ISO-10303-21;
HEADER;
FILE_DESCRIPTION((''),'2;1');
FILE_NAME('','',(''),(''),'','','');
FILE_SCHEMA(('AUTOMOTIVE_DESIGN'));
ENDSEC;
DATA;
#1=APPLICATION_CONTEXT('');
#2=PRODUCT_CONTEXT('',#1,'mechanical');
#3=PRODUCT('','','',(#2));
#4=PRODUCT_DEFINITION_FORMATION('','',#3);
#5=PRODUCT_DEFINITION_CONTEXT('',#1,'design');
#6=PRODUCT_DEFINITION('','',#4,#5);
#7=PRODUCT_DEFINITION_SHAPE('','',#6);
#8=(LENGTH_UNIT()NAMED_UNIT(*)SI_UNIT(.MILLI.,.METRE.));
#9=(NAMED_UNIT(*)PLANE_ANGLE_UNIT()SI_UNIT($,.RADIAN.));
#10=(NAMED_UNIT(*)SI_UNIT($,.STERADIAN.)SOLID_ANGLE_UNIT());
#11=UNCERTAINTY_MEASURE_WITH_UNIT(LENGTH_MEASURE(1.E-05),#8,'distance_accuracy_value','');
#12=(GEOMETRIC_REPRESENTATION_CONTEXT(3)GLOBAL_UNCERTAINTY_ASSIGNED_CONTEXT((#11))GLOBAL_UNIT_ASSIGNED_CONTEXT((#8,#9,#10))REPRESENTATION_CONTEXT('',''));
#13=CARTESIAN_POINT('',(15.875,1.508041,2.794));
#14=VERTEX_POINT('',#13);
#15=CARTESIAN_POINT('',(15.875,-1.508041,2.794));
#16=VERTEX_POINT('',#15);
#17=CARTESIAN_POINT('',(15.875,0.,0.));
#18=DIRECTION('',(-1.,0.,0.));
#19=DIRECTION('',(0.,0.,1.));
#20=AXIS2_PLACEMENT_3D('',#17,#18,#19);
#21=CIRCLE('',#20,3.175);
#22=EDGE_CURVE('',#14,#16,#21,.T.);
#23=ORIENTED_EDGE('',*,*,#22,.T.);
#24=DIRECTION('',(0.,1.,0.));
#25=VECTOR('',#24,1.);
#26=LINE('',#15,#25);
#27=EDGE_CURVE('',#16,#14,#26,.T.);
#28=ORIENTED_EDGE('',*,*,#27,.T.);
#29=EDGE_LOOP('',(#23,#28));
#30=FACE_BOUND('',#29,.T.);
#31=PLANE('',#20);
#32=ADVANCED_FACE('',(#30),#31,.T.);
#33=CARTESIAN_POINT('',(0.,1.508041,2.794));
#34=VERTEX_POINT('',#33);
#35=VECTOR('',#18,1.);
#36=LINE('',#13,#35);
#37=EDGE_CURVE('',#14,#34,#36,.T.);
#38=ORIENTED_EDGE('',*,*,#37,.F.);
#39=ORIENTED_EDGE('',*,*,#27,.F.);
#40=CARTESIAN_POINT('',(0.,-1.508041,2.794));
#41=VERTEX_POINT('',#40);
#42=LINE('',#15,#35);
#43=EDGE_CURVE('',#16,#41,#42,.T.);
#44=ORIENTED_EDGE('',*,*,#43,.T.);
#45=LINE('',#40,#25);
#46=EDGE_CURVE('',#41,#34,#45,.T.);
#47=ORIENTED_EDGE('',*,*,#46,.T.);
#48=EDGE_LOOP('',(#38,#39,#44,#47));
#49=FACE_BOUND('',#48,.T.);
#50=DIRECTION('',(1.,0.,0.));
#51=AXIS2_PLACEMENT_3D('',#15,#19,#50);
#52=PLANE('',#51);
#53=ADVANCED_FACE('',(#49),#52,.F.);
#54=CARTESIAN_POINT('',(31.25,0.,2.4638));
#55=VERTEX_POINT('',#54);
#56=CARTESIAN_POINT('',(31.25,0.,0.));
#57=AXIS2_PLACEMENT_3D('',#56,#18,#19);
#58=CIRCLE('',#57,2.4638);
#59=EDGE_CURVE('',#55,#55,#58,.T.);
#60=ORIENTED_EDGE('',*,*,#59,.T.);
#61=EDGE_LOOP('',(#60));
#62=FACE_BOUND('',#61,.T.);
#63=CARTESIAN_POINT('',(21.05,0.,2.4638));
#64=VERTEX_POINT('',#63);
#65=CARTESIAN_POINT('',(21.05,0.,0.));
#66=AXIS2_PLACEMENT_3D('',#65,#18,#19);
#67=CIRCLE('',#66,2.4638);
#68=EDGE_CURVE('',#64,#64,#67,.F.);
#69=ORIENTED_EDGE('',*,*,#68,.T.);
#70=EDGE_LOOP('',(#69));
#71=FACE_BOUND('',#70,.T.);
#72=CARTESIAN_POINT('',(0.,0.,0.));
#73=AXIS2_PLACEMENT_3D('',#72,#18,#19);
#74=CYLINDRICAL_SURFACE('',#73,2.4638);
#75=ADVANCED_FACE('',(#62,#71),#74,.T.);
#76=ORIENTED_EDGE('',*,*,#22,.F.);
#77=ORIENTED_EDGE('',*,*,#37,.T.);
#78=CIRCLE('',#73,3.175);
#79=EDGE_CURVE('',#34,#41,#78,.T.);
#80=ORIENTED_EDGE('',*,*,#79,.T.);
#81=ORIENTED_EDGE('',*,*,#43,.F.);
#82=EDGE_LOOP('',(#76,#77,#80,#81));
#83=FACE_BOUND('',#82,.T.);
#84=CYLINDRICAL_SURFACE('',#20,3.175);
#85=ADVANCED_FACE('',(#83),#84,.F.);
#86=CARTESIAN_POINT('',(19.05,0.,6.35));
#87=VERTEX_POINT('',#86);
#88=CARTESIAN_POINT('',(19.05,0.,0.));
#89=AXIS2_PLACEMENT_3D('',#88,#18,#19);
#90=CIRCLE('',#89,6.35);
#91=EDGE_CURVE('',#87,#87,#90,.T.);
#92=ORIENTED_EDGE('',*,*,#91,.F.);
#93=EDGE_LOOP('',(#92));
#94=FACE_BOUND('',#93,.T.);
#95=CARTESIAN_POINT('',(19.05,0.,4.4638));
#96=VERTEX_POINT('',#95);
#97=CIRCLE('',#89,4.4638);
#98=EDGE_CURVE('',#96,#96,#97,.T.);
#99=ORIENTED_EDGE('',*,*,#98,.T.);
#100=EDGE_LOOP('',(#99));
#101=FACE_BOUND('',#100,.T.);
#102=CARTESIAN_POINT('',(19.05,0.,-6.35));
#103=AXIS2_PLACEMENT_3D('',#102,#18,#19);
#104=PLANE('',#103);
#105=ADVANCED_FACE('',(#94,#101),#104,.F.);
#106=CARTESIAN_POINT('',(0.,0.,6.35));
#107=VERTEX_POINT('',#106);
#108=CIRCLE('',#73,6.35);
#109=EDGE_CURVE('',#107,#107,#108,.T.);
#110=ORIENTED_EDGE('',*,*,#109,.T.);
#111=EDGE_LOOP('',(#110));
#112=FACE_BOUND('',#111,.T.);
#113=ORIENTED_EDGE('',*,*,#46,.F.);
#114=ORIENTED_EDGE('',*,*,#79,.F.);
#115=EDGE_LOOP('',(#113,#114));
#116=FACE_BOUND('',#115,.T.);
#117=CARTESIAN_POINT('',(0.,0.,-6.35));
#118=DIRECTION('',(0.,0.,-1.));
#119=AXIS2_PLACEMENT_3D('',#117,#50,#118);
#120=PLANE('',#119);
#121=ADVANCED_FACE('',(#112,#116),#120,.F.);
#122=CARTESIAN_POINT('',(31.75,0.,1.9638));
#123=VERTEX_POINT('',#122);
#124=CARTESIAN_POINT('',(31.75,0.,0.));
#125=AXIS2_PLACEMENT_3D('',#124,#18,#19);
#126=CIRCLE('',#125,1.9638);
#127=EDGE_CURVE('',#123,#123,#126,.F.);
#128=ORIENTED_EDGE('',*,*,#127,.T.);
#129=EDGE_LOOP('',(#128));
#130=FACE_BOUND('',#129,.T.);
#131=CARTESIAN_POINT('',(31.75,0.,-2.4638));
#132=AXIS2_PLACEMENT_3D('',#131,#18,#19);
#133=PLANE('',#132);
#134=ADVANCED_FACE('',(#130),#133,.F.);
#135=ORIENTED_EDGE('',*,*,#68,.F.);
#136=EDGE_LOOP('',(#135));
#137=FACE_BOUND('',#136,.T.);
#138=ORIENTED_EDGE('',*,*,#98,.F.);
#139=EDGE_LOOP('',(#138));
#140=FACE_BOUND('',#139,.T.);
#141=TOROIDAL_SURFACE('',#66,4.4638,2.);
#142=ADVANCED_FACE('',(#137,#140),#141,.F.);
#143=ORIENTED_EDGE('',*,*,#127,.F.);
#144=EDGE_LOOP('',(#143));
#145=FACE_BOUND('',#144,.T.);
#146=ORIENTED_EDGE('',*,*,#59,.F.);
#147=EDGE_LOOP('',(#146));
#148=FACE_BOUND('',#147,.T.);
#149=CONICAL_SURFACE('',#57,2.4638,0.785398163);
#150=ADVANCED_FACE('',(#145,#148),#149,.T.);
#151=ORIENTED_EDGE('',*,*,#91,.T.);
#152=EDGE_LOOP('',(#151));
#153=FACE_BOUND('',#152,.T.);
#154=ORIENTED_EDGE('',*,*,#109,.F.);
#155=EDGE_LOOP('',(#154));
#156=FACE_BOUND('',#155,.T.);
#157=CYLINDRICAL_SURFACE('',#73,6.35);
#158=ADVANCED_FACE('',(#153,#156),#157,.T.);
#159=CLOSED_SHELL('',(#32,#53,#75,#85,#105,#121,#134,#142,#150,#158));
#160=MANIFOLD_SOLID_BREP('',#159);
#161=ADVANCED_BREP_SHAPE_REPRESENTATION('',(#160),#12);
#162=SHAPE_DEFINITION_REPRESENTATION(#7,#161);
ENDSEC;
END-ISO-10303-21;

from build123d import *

# Parameters (mm, degrees)
CONG_1_R                = 2
ENL_V_MAT_EXTRU_1_DEPTH = 15.875
CHANFREIN1_SIZE         = 0.5


with BuildPart() as part:
    # Esquisse3 → Révolution1 (revolve)
    with BuildSketch(Plane(origin=(0, 0, 0), x_dir=(1, 0, 0), z_dir=(0, 1, 0)), mode=Mode.PRIVATE) as r_volution1_sk:
        Polygon((0, 6.35), (19.05, 6.35), (19.05, 2.4638), (31.75, 2.4638), (31.75, 0), (0, 0), align=None)
    revolve(r_volution1_sk.sketch.rotate(Axis((0, 0, 0), (1, 0, 0)), 180), axis=Axis((0, 0, 0), (1, 0, 0)))

    # Congé1
    cong_1_edges = [part.edges().sort_by_distance(p)[0] for p in [
        (19.05, 0, -2.4638),
    ]]
    fillet(cong_1_edges, radius=CONG_1_R)

    # Esquisse4 → Enlèv. mat.-Extru.1 (cut)
    with BuildSketch(Plane.ZY):
        with BuildLine():
            Line((2.794, -1.508041445), (2.794, 1.508041445))
            ThreePointArc((2.794, 1.508041445), (-3.175, 0), (2.794, -1.508041445))
        make_face()
    extrude(amount=-ENL_V_MAT_EXTRU_1_DEPTH, mode=Mode.SUBTRACT)

    # Chanfrein1
    chanfrein1_edges = [part.edges().sort_by_distance(p)[0] for p in [
        (31.75, 0, -2.4638),
    ]]
    chamfer(chanfrein1_edges, length=CHANFREIN1_SIZE)


solid = part.part
